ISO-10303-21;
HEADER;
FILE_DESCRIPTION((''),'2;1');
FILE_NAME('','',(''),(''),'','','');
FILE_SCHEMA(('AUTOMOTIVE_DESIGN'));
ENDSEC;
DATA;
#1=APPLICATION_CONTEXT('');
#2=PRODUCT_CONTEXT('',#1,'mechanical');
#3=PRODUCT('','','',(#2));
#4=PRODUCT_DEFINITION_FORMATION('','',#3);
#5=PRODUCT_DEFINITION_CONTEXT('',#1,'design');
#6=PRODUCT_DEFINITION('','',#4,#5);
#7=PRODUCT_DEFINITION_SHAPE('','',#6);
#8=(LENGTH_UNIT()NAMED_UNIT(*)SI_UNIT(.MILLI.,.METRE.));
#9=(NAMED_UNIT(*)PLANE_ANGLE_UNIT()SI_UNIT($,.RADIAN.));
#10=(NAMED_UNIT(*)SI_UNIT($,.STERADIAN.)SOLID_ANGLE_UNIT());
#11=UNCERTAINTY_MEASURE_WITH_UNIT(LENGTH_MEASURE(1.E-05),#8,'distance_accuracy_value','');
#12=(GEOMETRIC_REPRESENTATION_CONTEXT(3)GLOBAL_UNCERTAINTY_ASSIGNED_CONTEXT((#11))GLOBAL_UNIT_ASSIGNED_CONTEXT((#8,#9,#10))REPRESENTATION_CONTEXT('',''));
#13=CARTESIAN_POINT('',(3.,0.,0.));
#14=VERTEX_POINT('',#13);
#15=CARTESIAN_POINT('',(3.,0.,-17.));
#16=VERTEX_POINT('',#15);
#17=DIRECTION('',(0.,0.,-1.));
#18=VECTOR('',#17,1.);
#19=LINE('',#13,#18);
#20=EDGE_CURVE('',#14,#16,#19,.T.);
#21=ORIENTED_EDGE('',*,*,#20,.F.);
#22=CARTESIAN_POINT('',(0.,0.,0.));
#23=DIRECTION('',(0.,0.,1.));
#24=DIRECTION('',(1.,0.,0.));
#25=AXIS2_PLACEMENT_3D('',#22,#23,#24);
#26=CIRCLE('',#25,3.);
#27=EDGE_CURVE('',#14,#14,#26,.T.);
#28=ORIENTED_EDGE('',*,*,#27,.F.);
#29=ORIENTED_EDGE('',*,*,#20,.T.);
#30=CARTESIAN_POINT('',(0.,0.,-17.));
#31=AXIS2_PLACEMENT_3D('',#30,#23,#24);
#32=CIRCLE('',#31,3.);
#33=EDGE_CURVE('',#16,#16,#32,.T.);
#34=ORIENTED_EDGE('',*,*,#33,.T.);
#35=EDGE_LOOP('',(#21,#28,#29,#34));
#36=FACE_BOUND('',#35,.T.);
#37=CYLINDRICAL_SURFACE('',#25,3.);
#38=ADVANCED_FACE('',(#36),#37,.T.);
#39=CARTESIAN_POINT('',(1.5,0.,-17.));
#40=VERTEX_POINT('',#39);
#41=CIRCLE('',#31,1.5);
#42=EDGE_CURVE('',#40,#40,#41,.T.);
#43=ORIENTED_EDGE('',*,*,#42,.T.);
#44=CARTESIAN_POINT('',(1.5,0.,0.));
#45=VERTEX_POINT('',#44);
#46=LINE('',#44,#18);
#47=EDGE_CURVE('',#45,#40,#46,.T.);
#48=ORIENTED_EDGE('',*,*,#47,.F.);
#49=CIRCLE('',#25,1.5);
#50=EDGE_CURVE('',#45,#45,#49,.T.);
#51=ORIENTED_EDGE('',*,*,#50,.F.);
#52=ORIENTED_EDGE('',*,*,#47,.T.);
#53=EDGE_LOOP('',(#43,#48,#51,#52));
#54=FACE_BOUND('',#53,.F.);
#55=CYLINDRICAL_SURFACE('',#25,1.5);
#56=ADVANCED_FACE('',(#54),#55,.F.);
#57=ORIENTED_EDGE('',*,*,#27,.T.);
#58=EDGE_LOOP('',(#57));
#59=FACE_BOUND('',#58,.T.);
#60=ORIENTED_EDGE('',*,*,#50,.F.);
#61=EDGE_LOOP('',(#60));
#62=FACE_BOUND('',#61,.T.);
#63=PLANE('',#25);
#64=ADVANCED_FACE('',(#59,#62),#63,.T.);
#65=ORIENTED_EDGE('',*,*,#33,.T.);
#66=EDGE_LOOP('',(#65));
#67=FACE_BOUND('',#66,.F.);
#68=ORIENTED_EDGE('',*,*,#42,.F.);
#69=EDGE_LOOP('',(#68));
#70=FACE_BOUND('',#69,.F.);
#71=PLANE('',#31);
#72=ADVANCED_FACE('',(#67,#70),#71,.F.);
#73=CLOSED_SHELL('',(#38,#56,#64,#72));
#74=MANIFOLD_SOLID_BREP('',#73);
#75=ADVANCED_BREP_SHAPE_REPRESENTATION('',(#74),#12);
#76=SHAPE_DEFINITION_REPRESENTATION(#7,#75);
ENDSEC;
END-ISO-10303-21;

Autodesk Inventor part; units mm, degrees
ref_plane "YZ Plane" through (0, 0, 0) normal (1, 0, 0) x (0, 1, 0)
ref_plane "XZ Plane" through (0, 0, 0) normal (0, 1, 0) x (-1, 0, 0)
ref_plane "XY Plane" through (0, 0, 0) normal (0, 0, 1) x (1, 0, 0)
sketch "スケッチ1" plane through (0, 0, 0) normal (0, 0, 1) x (1, 0, 0)
  circle A0 centre (0, 0) radius 3
  circle A1 centre (0, 0) radius 1.5
  dimension "d0" = 6
  dimension "d1" = 3
extrude "押し出し1" add sketch "スケッチ1" against normal blind 17
properties part number "PEAKスペーサーm3中空-17" material "PAEK 樹脂"
